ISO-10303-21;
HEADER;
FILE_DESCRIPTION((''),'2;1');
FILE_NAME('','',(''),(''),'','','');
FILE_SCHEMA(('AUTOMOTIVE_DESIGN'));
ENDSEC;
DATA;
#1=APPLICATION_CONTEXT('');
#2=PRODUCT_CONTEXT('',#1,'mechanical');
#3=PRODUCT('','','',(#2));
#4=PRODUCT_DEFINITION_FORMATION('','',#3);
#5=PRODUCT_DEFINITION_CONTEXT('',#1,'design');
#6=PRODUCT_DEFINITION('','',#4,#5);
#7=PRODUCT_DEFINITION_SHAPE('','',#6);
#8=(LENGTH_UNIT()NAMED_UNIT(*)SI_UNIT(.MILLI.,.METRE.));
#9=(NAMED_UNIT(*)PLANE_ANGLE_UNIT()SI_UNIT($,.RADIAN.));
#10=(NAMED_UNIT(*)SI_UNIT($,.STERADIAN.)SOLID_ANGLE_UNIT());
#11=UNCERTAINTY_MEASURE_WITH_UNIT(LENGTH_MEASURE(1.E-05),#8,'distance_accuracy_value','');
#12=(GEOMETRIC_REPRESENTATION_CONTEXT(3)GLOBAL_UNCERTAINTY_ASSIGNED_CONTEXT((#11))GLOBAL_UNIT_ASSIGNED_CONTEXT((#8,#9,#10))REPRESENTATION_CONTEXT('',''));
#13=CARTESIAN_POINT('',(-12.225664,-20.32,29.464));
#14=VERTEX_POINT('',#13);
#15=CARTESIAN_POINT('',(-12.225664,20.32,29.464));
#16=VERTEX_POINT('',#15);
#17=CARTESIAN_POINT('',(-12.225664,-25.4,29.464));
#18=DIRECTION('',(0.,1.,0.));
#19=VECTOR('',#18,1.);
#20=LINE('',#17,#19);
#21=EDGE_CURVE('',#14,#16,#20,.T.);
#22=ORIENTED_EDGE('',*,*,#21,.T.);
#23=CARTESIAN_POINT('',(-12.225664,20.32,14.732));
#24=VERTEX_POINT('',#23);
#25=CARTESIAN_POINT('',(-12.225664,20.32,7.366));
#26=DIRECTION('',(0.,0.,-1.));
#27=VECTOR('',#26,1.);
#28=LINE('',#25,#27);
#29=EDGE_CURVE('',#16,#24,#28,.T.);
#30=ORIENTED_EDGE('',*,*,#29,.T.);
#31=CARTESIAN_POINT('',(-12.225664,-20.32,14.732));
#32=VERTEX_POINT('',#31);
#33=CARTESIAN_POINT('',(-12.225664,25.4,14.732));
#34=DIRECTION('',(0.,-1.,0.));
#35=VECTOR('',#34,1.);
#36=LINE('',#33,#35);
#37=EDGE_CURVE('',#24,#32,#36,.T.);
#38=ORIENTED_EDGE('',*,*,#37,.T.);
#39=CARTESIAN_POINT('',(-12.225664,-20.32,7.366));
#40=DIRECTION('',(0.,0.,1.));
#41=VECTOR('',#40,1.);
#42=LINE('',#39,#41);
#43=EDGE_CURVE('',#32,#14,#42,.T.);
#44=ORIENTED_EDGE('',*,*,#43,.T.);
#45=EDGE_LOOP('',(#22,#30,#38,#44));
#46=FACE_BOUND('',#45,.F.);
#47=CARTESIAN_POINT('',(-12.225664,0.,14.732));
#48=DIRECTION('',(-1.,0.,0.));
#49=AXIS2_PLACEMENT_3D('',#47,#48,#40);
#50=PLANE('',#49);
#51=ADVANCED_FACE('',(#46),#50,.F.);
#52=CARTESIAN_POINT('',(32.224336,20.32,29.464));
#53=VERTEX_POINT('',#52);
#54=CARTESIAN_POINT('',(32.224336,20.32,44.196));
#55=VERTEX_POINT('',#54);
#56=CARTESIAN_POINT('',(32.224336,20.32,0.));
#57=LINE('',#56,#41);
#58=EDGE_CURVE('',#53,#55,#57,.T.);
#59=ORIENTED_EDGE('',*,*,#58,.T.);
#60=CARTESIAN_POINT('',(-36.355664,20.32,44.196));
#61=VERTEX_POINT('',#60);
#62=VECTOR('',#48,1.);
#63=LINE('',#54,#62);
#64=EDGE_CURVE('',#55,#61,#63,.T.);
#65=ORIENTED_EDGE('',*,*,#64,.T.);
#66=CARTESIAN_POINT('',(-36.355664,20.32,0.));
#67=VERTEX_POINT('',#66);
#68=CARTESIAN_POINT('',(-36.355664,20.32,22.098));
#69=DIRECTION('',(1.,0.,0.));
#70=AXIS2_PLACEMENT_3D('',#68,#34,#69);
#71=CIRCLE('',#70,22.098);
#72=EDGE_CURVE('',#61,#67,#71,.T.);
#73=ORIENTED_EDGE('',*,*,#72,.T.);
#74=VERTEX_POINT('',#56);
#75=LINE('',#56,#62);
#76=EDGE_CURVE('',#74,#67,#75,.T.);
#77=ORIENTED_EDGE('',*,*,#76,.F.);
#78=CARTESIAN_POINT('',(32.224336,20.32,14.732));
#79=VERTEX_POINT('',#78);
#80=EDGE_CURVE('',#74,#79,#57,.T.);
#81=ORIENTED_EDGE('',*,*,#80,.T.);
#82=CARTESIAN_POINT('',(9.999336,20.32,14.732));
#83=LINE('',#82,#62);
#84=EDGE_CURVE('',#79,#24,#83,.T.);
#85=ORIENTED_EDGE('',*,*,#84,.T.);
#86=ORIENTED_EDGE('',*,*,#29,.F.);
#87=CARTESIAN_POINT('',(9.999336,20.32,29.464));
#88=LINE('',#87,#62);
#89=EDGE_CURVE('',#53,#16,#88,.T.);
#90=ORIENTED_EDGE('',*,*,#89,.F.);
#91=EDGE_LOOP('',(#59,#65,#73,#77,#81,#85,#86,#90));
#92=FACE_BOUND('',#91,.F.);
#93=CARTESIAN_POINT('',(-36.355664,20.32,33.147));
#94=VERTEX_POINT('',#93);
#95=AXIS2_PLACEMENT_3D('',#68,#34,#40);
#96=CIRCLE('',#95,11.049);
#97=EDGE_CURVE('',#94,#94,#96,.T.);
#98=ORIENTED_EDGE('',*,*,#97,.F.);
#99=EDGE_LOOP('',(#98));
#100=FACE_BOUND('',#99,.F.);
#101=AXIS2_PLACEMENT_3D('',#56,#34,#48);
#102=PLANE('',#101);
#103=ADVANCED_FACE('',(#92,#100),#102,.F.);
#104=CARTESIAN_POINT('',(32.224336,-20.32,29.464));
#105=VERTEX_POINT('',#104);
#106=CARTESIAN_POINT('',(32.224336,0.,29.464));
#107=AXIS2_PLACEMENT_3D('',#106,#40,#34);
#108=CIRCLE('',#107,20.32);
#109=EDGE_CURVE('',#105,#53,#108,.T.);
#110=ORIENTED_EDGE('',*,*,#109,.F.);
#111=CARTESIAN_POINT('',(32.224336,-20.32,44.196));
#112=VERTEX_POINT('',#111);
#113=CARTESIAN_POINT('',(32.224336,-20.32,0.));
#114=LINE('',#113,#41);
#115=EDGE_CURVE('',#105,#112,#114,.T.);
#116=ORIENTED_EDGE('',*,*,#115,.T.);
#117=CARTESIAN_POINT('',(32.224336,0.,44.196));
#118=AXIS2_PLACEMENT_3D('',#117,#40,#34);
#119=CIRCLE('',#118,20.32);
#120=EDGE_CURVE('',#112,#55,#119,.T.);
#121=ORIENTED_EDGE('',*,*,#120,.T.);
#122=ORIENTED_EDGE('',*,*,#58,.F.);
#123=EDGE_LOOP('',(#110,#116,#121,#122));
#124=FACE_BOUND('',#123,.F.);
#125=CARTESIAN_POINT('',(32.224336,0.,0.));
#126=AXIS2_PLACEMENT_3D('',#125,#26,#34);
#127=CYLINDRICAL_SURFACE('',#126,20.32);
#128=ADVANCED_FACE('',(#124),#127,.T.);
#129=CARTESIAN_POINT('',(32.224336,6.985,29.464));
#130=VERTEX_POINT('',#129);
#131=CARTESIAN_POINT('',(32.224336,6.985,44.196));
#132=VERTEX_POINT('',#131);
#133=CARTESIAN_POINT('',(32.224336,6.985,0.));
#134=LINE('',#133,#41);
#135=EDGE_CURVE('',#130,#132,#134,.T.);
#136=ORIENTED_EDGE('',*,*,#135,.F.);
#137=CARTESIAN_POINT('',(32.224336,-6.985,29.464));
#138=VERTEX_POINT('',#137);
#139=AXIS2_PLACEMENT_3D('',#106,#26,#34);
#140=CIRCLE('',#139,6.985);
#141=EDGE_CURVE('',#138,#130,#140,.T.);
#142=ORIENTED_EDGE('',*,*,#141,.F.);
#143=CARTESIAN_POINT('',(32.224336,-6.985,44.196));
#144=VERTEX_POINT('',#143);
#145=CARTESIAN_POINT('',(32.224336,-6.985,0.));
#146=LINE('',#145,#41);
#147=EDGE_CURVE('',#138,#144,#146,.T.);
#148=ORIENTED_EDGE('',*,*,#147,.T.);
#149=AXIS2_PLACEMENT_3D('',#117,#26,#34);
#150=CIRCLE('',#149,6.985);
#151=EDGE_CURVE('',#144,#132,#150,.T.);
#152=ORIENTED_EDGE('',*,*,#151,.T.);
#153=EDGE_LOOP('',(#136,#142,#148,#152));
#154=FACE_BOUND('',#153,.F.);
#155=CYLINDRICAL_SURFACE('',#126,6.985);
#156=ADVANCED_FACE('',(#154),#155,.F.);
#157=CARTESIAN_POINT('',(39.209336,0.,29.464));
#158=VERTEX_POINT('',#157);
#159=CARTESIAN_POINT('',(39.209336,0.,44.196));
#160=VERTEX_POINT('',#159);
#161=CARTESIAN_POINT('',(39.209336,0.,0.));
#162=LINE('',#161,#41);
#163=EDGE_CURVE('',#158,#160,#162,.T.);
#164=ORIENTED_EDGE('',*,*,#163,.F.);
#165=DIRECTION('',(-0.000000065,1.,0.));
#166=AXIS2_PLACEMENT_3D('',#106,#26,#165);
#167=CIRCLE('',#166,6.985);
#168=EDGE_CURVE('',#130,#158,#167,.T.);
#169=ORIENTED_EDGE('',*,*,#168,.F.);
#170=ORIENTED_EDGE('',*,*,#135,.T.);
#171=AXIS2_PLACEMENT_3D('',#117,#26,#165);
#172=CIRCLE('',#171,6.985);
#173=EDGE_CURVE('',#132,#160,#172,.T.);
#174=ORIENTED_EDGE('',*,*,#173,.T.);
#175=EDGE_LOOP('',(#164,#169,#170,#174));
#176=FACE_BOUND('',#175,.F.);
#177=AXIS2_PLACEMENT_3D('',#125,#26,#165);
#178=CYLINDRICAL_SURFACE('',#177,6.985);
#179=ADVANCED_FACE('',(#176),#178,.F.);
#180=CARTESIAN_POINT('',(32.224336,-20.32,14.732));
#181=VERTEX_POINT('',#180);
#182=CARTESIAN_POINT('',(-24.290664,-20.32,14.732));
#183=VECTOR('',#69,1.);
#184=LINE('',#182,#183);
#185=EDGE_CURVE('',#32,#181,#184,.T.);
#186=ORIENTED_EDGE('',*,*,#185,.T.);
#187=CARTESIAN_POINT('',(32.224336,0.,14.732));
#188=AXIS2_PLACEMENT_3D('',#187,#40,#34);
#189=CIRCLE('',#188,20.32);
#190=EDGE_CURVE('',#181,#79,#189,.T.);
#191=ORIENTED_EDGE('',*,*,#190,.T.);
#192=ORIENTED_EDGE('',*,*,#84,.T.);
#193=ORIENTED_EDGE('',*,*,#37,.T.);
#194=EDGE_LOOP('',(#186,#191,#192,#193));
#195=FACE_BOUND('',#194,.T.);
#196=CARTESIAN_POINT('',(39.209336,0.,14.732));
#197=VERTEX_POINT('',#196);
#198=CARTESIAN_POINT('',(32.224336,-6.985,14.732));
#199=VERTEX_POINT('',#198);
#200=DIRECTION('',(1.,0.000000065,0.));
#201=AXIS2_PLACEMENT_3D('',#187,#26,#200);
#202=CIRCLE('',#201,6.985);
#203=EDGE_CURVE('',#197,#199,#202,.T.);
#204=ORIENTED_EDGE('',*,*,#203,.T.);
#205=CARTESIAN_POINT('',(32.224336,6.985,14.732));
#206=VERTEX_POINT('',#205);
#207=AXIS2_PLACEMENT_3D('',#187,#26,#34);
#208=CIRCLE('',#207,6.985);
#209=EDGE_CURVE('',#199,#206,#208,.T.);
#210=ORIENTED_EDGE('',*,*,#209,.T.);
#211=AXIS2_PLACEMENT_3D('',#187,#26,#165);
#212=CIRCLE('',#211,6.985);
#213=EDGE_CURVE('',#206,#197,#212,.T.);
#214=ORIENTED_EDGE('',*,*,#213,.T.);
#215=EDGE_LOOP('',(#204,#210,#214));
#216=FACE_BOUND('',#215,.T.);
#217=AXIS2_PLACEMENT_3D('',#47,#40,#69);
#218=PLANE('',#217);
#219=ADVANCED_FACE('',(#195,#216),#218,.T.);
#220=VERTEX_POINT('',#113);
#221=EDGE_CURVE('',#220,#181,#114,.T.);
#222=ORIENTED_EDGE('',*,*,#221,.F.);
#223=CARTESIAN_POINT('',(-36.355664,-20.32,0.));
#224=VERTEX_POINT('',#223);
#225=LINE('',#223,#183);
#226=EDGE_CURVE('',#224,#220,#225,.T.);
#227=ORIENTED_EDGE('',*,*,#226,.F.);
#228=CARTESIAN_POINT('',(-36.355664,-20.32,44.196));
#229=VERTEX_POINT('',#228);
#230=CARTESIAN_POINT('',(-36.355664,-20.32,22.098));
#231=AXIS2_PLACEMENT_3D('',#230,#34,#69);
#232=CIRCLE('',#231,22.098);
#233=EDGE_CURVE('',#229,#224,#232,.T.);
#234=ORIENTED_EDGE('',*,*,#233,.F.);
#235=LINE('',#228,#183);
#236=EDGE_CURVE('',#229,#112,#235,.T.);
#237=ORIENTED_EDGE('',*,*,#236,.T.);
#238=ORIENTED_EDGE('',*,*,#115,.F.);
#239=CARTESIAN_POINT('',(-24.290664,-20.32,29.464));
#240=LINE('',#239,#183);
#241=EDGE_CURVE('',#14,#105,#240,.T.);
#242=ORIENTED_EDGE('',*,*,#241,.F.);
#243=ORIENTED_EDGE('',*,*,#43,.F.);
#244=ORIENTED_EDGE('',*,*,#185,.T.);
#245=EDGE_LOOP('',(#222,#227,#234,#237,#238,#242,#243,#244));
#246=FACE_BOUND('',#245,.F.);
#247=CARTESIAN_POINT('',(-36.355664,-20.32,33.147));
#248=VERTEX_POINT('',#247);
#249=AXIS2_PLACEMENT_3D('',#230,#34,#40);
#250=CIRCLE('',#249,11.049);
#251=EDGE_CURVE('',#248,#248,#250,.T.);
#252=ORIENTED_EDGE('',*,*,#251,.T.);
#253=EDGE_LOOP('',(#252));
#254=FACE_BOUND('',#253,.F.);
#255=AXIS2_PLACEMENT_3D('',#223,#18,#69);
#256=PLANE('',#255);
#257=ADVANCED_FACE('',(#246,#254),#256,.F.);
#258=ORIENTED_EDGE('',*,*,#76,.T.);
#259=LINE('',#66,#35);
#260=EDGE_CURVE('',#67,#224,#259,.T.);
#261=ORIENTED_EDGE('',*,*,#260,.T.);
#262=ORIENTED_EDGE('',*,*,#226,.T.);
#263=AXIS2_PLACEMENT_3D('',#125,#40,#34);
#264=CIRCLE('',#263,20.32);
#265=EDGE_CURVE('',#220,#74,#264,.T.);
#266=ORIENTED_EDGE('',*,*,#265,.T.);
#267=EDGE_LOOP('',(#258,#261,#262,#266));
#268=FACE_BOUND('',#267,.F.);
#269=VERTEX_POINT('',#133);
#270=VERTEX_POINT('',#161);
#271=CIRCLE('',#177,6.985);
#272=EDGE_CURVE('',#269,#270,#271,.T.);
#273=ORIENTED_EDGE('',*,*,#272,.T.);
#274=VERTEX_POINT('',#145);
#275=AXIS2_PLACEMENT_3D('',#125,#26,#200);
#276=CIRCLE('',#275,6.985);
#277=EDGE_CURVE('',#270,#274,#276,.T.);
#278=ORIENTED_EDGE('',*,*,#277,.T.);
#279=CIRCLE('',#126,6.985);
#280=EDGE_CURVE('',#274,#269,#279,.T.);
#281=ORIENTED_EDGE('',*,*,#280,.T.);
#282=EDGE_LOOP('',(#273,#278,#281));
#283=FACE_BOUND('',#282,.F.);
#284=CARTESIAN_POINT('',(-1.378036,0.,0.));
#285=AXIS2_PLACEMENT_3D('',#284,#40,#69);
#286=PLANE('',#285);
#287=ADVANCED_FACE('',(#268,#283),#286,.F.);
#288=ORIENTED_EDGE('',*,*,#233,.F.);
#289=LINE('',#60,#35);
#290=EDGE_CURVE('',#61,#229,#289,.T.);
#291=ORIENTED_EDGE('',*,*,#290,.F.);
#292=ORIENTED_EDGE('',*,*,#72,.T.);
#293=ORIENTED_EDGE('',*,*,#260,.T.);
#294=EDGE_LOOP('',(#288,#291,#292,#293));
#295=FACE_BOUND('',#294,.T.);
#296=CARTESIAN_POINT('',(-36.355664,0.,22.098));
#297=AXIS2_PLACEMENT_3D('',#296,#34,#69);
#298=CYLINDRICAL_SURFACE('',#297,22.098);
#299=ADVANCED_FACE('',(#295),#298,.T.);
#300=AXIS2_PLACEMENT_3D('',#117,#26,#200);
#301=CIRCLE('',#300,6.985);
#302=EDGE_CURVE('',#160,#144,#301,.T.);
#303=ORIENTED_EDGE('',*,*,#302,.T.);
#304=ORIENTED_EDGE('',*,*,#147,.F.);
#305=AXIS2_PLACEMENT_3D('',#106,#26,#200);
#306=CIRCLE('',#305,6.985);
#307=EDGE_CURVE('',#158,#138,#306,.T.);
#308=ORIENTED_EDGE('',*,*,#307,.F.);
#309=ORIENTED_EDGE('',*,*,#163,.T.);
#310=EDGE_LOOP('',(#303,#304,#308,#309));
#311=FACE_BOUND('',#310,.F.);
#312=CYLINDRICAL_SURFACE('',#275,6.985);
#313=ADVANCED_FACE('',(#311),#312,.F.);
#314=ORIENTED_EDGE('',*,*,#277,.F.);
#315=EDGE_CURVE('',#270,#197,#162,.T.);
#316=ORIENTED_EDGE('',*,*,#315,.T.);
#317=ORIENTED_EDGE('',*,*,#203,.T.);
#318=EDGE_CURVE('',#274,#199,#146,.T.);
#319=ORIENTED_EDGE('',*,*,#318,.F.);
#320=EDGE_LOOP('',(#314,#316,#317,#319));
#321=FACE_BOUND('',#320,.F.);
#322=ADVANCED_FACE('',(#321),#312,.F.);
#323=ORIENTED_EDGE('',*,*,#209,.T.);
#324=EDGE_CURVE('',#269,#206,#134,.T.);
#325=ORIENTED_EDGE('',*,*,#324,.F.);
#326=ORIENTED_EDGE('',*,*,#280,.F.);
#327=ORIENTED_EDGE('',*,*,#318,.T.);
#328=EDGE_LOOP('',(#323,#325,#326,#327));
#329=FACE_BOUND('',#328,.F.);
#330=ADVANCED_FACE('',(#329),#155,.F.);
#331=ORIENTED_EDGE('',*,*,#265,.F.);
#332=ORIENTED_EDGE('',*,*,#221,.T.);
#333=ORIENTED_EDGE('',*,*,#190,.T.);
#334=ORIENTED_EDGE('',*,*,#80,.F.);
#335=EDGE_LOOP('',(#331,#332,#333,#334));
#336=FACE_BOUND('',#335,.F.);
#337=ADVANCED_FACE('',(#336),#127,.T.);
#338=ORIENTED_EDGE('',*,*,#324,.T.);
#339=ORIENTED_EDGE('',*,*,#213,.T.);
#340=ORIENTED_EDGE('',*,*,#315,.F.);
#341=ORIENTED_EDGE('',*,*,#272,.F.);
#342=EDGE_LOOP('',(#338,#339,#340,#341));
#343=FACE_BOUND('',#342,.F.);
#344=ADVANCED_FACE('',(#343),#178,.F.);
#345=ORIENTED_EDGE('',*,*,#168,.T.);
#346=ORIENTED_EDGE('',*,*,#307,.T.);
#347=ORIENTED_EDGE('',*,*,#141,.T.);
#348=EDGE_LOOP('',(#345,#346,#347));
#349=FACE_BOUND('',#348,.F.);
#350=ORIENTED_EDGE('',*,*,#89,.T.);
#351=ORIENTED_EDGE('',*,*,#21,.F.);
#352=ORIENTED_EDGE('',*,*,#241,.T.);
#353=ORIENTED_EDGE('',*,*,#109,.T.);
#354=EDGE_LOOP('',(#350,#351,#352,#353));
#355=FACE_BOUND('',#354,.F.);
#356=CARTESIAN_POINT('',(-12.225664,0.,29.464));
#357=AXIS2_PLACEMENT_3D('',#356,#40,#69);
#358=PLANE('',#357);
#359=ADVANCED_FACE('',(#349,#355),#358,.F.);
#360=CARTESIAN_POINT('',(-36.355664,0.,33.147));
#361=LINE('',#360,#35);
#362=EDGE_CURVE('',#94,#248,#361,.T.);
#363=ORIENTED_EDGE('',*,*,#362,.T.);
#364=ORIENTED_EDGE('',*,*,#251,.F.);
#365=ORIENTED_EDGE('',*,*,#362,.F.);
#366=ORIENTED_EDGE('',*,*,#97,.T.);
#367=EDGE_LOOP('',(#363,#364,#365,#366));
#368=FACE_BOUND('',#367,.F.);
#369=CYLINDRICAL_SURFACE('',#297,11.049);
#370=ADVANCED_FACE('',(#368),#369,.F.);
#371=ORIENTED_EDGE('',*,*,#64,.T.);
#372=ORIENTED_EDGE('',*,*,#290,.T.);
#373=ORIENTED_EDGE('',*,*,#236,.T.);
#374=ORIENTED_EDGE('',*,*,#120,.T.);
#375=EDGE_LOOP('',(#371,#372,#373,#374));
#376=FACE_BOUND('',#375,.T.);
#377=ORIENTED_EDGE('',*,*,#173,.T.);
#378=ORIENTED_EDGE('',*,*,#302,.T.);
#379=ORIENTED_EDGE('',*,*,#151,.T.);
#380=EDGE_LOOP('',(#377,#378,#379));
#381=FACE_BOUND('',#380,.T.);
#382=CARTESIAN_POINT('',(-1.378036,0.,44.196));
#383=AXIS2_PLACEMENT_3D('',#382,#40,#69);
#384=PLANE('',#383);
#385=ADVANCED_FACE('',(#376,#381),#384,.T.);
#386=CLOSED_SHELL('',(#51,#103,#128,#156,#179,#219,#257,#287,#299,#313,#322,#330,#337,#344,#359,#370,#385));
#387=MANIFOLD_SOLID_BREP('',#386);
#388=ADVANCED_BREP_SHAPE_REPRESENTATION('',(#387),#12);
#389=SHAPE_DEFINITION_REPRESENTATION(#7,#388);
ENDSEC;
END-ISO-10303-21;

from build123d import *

# Parameters (mm, degrees)
F3_DEPTH = 44.196
F1_W     = 64.77
F1_H     = 14.732
F2_R     = 11.049
F4_DEPTH = 25.4
F2_R_2   = 22.098
F5_DEPTH = 20.32


with BuildPart() as f3:
    # F0 (on Top) → F3 (new body)
    with BuildSketch(Plane.XY):
        with BuildLine():
            Line((32.224336, 20.32), (-36.355664, 20.32))
            Line((-36.355664, 20.32), (-36.355664, -20.32))
            Line((-36.355664, -20.32), (32.224336, -20.32))
            Line((32.224336, -20.32), (32.224336, -6.985))
            ThreePointArc((32.224336, -6.985), (25.239336, 0), (32.224336, 6.985))
            Line((32.224336, 6.985), (32.224336, 20.32))
        make_face()
        with BuildLine():
            ThreePointArc((32.224336, -20.32), (52.544336, 0), (32.224336, 20.32))
            Line((32.224336, 20.32), (32.224336, 6.985))
            ThreePointArc((32.224336, 6.985), (37.163477, 4.939141), (39.209336, 0))
            ThreePointArc((39.209336, 0), (37.163477, -4.939141), (32.224336, -6.985))
            Line((32.224336, -6.985), (32.224336, -20.32))
        make_face()
    extrude(amount=F3_DEPTH)

    # F1 (on Front) + F2 (on Front) → F4 (cut, symmetric)
    with BuildSketch(Plane.XZ):
        with Locations((20.159336, 22.098)):
            Rectangle(F1_W, F1_H)
    with BuildSketch(Plane.XZ):
        with Locations((-36.355664, 22.098)):
            Circle(F2_R)
    extrude(amount=F4_DEPTH, both=True, mode=Mode.SUBTRACT)

    # F2 (on Front) → F5 (join, symmetric)
    with BuildSketch(Plane.XZ):
        with Locations((-36.355664, 22.098)):
            Circle(F2_R_2)
        with Locations((-36.355664, 22.098)):
            Circle(F2_R, mode=Mode.SUBTRACT)
    extrude(amount=F5_DEPTH, both=True)


solid = f3.part
